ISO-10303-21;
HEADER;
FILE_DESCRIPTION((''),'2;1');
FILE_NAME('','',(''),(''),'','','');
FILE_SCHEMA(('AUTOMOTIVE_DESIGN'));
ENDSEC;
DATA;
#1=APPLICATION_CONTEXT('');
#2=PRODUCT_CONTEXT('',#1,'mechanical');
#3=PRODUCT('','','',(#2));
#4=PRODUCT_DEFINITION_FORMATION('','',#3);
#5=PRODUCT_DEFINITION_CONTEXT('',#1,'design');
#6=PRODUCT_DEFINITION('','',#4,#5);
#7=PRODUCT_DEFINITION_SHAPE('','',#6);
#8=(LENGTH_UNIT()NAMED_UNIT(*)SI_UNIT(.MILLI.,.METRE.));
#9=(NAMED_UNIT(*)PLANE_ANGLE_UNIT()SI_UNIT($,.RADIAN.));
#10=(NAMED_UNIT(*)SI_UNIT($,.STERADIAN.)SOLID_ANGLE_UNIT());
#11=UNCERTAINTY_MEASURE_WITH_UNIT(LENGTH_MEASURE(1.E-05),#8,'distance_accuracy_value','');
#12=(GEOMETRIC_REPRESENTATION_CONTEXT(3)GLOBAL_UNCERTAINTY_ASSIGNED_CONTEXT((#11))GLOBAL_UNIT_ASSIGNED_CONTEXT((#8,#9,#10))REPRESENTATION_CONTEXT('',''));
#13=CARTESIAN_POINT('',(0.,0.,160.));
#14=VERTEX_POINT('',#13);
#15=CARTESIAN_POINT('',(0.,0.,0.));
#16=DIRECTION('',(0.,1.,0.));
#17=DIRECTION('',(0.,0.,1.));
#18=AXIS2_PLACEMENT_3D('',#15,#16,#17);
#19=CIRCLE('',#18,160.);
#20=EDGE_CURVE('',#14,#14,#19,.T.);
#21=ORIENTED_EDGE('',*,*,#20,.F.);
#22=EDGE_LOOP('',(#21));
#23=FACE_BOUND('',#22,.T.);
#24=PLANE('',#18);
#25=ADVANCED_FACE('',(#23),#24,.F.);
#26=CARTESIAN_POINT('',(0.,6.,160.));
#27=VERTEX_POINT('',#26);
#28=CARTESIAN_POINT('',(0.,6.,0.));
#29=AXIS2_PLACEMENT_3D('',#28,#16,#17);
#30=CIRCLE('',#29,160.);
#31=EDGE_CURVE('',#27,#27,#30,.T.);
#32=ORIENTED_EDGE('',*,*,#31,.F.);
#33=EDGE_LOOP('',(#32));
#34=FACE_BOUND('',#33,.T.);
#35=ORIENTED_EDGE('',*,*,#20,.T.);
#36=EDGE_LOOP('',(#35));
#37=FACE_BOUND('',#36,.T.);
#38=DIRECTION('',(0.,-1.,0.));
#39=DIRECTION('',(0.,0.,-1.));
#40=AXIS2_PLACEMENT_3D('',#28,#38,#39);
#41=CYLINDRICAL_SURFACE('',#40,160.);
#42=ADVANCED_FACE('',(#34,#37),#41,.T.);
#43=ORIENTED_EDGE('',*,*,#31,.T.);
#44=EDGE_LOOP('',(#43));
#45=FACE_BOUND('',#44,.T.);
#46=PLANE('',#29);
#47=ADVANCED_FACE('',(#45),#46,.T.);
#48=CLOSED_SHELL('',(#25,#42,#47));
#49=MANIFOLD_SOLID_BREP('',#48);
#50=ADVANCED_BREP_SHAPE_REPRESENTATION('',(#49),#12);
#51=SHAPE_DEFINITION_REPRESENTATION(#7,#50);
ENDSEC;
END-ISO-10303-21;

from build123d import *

# Parameters (mm, degrees)
SKETCH1_R                     = 160
TEPSI_DISK_D320_ALU_1_5_DEPTH = 6


with BuildPart() as part:
    # Sketch1 → TEPSI_disk_D320_alu_1.5 (new body)
    with BuildSketch(Plane(origin=(0, 0, 0), x_dir=(1, 0, 0), z_dir=(0, 1, 0))):
        with Locations(Location((0, 0, 0), (0, 0, 270))):
            Circle(SKETCH1_R)
    extrude(amount=TEPSI_DISK_D320_ALU_1_5_DEPTH)


solid = part.part
